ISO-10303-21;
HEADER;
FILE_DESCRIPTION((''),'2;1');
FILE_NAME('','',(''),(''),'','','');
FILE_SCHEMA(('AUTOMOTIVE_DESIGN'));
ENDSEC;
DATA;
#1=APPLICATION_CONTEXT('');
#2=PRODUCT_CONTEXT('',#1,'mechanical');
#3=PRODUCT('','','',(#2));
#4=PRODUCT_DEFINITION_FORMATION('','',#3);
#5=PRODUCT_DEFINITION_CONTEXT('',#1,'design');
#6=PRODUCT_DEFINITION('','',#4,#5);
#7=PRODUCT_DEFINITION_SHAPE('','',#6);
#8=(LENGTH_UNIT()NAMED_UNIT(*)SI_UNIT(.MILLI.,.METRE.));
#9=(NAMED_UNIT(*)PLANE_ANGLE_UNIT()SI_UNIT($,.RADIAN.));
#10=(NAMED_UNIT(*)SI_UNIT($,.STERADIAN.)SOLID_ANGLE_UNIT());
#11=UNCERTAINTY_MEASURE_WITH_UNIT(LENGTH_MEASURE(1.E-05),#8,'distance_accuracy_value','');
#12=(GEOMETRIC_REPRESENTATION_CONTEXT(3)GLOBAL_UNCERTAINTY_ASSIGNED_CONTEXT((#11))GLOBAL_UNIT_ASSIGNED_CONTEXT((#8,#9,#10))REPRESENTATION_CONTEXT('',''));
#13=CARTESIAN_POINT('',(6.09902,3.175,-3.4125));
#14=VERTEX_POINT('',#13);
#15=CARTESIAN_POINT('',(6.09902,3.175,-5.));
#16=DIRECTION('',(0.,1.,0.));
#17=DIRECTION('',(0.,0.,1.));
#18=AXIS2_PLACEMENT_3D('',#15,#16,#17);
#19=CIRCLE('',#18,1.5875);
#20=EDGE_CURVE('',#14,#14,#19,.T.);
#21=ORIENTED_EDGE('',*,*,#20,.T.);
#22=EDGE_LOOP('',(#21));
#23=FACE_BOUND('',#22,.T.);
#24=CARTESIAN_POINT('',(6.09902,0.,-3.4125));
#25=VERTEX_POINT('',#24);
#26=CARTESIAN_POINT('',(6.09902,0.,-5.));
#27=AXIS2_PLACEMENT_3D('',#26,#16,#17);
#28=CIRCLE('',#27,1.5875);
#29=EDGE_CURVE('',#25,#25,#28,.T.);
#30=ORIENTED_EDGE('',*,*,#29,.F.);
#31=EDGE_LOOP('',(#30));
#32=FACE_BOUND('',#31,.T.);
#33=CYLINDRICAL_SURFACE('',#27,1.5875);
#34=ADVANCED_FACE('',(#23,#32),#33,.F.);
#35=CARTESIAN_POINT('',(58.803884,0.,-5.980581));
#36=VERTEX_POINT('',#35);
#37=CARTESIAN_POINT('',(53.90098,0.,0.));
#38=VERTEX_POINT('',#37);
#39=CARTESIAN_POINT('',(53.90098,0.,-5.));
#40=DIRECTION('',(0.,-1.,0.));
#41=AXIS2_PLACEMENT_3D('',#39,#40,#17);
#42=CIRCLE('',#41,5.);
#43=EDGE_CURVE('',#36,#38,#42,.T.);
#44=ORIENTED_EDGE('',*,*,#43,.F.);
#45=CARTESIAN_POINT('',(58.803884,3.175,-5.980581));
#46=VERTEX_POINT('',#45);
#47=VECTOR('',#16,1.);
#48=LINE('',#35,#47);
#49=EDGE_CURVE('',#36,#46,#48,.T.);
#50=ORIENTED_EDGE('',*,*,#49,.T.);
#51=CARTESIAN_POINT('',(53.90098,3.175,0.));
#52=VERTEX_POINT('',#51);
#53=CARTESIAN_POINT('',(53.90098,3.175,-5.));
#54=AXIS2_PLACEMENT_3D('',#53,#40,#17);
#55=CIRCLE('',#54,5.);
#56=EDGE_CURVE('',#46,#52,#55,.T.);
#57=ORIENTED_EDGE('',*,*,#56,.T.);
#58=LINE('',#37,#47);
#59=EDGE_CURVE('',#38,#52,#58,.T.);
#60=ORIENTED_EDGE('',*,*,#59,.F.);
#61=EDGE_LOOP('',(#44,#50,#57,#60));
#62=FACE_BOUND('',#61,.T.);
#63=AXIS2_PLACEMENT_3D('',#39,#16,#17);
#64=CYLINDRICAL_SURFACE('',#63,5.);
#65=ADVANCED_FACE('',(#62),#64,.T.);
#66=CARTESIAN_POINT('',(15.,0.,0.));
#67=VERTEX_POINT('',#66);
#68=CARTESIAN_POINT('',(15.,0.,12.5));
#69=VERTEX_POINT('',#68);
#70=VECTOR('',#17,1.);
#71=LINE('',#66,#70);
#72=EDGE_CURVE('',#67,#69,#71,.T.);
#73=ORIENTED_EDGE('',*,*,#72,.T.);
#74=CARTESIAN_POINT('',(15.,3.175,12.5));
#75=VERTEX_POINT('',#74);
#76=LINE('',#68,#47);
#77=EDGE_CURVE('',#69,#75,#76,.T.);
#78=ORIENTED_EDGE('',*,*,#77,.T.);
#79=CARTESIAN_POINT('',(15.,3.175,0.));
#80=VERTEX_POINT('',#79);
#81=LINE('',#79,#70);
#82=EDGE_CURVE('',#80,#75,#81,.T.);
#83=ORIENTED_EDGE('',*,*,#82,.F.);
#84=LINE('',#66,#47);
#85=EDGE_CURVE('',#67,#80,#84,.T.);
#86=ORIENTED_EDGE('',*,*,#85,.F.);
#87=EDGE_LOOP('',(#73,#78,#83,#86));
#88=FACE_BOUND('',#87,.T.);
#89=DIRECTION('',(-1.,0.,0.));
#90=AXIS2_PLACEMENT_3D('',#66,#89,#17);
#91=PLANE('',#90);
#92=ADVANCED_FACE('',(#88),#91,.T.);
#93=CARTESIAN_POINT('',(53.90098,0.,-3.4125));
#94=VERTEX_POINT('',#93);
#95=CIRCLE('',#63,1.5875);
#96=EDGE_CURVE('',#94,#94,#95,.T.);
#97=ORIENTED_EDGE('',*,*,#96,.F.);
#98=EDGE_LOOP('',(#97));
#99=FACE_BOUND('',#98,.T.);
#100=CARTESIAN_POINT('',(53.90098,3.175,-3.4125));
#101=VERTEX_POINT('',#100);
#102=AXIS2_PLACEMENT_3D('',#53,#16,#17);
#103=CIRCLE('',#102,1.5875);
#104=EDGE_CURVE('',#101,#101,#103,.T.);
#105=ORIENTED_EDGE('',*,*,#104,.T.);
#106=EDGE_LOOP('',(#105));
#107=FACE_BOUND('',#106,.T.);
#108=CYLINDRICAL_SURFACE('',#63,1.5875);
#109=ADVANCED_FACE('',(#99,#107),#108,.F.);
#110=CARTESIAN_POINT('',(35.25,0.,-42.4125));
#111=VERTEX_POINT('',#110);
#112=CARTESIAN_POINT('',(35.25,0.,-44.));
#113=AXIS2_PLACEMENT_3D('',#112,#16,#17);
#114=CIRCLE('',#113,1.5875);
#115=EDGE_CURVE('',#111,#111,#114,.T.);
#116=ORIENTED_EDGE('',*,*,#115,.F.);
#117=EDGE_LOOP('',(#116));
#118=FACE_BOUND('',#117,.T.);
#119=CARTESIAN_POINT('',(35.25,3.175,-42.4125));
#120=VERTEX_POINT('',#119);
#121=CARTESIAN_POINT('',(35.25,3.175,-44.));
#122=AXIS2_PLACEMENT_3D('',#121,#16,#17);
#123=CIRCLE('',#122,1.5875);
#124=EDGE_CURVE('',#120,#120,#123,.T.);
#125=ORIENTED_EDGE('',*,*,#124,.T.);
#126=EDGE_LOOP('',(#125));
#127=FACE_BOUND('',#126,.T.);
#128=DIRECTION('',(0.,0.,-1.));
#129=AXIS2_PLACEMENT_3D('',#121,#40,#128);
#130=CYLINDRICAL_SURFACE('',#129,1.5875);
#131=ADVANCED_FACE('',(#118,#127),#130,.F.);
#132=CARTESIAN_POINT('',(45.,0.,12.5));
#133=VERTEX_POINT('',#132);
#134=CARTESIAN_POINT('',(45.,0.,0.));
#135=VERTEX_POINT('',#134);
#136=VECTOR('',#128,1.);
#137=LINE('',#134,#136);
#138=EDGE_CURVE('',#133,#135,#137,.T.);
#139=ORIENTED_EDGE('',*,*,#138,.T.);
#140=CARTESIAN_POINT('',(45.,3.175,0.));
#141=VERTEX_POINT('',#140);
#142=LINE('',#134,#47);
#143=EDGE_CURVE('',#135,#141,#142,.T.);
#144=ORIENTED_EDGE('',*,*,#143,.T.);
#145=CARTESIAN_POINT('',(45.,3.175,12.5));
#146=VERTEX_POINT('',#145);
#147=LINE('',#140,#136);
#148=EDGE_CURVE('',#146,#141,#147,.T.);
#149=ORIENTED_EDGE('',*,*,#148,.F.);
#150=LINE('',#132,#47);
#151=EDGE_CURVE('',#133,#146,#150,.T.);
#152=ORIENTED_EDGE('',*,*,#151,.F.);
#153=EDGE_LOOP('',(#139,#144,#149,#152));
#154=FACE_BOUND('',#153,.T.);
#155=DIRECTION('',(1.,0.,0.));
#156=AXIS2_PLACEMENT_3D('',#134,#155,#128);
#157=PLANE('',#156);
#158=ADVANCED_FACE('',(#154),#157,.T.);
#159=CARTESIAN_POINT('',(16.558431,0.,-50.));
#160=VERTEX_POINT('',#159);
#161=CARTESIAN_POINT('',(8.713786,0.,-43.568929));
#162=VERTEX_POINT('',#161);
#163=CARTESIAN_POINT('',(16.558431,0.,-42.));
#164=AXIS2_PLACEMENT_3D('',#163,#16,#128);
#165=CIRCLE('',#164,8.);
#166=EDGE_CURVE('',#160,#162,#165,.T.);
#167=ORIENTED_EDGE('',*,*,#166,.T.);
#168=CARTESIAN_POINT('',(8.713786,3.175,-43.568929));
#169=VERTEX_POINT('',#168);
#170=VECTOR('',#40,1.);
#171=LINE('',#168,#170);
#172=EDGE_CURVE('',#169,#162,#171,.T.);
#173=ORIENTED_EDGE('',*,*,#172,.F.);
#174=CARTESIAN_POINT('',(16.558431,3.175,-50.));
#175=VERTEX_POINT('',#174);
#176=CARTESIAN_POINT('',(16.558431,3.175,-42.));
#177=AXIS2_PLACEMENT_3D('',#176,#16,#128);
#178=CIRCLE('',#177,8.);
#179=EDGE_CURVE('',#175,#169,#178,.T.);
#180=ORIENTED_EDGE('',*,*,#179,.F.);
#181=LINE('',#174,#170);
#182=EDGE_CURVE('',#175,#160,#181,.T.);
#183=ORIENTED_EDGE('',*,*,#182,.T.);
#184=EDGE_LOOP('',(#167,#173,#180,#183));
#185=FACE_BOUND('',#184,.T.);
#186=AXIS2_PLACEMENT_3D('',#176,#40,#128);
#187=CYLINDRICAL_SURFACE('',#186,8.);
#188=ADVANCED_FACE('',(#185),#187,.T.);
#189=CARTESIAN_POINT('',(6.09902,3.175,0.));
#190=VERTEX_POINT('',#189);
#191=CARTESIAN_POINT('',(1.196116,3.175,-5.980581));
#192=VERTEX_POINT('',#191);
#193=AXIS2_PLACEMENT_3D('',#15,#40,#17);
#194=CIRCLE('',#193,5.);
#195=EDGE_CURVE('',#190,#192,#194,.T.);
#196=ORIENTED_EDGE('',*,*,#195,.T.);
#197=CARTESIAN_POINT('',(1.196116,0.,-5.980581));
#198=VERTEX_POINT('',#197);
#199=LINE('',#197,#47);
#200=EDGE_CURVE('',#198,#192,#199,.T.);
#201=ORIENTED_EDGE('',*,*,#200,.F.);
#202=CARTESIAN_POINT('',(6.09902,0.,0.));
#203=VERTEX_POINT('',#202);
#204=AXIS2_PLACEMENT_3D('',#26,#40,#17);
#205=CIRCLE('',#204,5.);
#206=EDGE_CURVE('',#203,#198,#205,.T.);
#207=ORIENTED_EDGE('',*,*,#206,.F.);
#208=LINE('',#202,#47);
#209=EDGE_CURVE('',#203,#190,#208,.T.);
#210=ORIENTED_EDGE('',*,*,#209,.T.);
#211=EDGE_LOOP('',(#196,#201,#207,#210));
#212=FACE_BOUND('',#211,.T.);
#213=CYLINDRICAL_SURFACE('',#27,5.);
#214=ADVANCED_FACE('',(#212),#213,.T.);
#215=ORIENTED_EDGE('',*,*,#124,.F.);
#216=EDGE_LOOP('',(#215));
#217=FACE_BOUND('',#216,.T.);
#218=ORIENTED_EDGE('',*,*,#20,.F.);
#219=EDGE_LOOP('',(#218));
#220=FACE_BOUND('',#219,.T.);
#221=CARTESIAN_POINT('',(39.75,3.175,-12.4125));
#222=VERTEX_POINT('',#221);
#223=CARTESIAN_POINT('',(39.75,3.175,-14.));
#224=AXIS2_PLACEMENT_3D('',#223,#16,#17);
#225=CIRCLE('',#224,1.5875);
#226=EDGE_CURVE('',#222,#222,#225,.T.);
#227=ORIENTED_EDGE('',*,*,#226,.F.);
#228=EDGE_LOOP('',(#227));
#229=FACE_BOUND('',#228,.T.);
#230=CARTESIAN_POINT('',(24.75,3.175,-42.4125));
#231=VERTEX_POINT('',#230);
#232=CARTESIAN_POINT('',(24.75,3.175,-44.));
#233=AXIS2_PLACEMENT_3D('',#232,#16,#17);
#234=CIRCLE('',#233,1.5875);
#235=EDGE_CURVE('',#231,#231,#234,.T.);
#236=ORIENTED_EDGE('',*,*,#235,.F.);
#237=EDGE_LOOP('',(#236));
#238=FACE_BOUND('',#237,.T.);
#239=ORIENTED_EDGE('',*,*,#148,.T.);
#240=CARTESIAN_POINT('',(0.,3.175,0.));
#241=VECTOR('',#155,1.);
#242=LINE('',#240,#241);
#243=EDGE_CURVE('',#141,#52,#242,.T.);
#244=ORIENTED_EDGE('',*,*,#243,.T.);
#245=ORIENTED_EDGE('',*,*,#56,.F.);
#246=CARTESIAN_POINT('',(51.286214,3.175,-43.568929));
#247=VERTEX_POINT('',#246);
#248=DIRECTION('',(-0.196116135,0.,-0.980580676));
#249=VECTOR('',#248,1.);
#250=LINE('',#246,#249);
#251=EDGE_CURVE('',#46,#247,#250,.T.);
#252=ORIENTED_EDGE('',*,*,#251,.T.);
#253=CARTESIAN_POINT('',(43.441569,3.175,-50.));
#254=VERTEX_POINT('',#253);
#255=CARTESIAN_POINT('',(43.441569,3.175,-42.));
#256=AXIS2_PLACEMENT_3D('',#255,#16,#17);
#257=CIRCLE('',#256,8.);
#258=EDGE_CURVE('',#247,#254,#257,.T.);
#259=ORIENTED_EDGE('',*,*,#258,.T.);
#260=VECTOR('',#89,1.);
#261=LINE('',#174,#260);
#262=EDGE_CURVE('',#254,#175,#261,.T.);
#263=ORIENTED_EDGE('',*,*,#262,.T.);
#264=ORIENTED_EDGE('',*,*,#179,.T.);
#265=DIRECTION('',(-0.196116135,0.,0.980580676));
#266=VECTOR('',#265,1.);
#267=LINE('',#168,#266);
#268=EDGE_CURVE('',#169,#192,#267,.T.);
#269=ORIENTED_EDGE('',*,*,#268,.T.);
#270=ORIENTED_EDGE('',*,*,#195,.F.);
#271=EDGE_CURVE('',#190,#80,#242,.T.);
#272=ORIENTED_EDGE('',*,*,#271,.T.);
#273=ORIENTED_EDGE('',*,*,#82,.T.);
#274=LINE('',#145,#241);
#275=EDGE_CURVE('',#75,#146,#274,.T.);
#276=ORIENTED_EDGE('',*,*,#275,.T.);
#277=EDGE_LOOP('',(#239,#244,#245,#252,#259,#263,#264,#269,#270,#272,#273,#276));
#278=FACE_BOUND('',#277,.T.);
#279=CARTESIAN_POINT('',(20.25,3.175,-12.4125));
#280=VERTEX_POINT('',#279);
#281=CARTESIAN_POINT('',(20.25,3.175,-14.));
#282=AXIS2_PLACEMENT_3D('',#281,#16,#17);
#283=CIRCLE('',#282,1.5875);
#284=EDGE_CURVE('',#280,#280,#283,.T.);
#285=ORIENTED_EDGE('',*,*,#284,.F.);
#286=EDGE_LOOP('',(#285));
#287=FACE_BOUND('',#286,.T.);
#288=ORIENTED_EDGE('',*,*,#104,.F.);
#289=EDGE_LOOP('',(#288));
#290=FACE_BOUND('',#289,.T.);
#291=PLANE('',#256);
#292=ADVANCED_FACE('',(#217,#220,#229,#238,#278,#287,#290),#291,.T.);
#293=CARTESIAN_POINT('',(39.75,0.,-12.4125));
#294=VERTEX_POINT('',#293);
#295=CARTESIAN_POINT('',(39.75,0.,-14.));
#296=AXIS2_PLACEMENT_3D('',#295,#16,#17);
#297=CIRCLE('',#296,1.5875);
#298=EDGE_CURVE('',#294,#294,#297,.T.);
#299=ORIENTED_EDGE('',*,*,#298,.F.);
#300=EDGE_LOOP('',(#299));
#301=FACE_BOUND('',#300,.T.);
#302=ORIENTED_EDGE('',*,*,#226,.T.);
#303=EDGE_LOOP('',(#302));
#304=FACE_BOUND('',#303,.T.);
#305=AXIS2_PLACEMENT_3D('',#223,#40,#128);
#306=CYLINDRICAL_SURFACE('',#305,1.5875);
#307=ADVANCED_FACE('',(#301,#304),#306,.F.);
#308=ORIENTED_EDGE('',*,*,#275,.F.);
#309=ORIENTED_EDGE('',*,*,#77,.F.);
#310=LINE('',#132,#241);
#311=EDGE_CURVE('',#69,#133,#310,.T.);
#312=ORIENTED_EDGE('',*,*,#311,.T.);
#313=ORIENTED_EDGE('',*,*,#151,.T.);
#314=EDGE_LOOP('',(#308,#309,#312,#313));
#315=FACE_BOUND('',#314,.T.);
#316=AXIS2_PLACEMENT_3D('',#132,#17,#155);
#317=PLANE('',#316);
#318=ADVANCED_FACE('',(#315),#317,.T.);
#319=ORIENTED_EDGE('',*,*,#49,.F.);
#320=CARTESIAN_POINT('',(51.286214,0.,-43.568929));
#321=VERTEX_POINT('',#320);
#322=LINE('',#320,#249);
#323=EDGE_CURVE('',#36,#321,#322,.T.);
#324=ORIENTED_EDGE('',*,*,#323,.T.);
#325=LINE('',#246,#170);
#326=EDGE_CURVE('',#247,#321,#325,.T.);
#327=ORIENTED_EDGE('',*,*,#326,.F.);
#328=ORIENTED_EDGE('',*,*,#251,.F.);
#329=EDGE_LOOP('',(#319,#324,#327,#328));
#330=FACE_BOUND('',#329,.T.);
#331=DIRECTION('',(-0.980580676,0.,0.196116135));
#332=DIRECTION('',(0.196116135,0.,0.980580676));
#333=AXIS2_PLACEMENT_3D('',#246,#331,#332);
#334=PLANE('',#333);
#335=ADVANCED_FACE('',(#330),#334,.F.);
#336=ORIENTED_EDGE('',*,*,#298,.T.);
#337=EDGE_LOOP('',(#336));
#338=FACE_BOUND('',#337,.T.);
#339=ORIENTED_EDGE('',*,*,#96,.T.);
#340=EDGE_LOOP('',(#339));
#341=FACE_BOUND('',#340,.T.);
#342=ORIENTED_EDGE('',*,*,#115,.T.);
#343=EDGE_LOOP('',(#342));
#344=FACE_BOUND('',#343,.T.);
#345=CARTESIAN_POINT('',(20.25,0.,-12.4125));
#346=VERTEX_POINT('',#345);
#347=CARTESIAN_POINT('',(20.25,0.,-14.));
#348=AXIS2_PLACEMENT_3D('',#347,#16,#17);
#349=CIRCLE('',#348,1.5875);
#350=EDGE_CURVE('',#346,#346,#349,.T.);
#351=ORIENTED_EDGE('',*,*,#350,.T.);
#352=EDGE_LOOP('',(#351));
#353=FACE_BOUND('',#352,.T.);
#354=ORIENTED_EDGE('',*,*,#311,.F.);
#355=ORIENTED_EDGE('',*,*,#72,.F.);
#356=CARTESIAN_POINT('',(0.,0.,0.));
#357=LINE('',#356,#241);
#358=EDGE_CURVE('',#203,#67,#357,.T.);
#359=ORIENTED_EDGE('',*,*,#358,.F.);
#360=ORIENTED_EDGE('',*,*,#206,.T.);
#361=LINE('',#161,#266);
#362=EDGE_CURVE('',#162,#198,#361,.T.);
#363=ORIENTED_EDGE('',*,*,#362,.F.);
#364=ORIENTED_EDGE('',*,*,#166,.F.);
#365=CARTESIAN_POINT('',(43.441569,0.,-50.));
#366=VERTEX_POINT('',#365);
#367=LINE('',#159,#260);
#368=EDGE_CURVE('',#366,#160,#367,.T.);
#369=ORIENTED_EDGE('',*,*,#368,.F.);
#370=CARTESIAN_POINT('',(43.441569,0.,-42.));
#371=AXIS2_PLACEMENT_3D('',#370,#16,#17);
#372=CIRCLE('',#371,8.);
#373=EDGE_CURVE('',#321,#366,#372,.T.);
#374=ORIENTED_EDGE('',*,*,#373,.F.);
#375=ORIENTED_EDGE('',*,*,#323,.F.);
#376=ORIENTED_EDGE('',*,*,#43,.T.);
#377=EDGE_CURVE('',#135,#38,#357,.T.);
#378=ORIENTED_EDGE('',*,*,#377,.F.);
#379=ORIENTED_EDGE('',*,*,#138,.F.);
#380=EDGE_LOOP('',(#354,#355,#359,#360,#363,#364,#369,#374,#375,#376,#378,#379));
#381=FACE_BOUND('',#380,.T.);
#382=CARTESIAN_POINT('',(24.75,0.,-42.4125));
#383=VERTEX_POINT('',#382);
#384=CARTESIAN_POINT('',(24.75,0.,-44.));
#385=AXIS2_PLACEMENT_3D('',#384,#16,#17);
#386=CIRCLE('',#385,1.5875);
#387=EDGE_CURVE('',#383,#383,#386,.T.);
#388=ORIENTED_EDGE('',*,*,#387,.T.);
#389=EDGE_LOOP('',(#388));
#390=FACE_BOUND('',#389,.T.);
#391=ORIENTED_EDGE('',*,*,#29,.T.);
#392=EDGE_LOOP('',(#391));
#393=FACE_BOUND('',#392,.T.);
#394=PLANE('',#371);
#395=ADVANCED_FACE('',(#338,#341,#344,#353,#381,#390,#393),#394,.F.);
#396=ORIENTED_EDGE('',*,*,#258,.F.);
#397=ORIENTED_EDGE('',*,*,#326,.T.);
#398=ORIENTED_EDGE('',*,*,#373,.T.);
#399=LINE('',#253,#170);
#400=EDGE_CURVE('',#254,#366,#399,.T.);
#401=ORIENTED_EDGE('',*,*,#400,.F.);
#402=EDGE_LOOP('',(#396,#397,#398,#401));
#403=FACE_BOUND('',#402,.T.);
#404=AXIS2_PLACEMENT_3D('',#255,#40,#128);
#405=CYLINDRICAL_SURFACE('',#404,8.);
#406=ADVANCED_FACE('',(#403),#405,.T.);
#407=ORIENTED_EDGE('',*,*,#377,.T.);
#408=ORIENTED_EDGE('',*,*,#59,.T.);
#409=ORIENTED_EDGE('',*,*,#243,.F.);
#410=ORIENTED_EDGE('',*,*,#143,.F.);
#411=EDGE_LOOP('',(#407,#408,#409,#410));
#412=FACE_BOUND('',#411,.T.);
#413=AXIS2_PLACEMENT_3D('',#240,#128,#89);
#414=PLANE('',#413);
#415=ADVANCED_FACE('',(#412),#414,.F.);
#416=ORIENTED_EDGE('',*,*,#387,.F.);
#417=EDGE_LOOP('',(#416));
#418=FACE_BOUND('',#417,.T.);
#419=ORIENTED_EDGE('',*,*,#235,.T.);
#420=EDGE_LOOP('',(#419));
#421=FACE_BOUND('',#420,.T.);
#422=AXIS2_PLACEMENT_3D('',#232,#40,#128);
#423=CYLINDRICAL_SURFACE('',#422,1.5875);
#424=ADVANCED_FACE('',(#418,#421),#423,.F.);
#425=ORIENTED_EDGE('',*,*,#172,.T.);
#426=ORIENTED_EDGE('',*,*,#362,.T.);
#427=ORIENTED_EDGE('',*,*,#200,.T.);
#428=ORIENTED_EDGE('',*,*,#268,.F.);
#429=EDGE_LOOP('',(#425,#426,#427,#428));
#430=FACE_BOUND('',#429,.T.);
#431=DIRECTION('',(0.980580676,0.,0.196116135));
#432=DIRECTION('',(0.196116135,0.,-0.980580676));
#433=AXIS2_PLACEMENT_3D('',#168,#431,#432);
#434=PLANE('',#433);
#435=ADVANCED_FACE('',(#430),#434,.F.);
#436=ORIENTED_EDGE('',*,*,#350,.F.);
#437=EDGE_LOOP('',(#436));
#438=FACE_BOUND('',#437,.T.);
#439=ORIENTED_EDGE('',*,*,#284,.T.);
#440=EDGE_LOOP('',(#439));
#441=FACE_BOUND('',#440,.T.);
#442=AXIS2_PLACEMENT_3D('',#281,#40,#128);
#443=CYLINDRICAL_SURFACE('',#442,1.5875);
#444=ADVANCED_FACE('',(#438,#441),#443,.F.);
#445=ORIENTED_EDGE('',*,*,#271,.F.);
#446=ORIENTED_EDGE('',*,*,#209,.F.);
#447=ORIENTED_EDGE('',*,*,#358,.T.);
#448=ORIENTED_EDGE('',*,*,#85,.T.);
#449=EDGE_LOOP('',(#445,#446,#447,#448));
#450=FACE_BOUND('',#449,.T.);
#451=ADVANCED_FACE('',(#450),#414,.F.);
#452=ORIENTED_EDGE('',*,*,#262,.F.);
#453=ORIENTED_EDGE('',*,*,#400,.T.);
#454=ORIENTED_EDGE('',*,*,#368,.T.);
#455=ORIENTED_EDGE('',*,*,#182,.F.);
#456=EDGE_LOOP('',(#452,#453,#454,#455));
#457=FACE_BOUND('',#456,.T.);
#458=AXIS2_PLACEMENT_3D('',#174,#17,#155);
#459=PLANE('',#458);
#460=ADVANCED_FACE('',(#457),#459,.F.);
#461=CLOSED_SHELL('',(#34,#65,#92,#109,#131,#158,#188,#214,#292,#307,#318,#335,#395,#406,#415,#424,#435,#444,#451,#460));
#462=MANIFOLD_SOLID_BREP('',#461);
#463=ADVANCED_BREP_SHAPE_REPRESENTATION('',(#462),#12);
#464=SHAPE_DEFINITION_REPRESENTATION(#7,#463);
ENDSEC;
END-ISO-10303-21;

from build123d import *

# Parameters (mm, degrees)
CROQUIS1_R              = 1.5875
SALIENTE_EXTRUIR1_DEPTH = 3.175
CROQUIS2_R              = 1.5875
CORTAR_EXTRUIR1_DEPTH   = 3.175
CROQUIS3_W              = 30
CROQUIS3_H              = 12.5
SALIENTE_EXTRUIR2_DEPTH = 3.175


with BuildPart() as part:
    # Croquis1 → Saliente-Extruir1 (new body)
    with BuildSketch(Plane(origin=(0, 0, 0), x_dir=(1, 0, 0), z_dir=(0, 1, 0))):
        with BuildLine():
            Line((8.713785816, 43.568929081), (0, 0))
            Line((0, 0), (60, 0))
            Line((60, 0), (51.286214184, 43.568929081))
            ThreePointArc((51.286214184, 43.568929081), (48.513480023, 48.186737131), (43.441568778, 50))
            Line((43.441568778, 50), (16.558431222, 50))
            ThreePointArc((16.558431222, 50), (11.486519977, 48.186737131), (8.713785816, 43.568929081))
        make_face()
        with Locations(Location((39.75, 14, 0), (0, 0, 270))):
            Circle(CROQUIS1_R, mode=Mode.SUBTRACT)
        with Locations(Location((20.25, 14, 0), (0, 0, 270))):
            Circle(CROQUIS1_R, mode=Mode.SUBTRACT)
        with Locations(Location((24.75, 44, 0), (0, 0, 270))):
            Circle(CROQUIS1_R, mode=Mode.SUBTRACT)
        with Locations(Location((35.25, 44, 0), (0, 0, 270))):
            Circle(CROQUIS1_R, mode=Mode.SUBTRACT)
    extrude(amount=SALIENTE_EXTRUIR1_DEPTH)

    # Croquis2 → Cortar-Extruir1 (cut)
    with BuildSketch(Plane(origin=(0, 3.175, 0), x_dir=(1, 0, 0), z_dir=(0, 1, 0))):
        with Locations(Location((6.099019514, 5, 0), (0, 0, 270))):
            Circle(CROQUIS2_R)
        with Locations(Location((53.900980486, 5, 0), (0, 0, 270))):
            Circle(CROQUIS2_R)
        with BuildLine():
            Line((53.900980486, 0), (60, 0))
            Line((60, 0), (58.803883865, 5.980580676))
            ThreePointArc((58.803883865, 5.980580676), (57.767691193, 1.830055472), (53.900980486, 0))
        make_face()
        with BuildLine():
            Line((1.196116135, 5.980580676), (0, 0))
            Line((0, 0), (6.099019514, 0))
            ThreePointArc((6.099019514, 0), (2.232308807, 1.830055472), (1.196116135, 5.980580676))
        make_face()
    extrude(amount=-CORTAR_EXTRUIR1_DEPTH, mode=Mode.SUBTRACT)

    # Croquis3 → Saliente-Extruir2 (add)
    with BuildSketch(Plane(origin=(0, 3.175, 0), x_dir=(1, 0, 0), z_dir=(0, 1, 0))):
        with Locations((30, -6.25)):
            Rectangle(CROQUIS3_W, CROQUIS3_H)
    extrude(amount=-SALIENTE_EXTRUIR2_DEPTH)


solid = part.part
